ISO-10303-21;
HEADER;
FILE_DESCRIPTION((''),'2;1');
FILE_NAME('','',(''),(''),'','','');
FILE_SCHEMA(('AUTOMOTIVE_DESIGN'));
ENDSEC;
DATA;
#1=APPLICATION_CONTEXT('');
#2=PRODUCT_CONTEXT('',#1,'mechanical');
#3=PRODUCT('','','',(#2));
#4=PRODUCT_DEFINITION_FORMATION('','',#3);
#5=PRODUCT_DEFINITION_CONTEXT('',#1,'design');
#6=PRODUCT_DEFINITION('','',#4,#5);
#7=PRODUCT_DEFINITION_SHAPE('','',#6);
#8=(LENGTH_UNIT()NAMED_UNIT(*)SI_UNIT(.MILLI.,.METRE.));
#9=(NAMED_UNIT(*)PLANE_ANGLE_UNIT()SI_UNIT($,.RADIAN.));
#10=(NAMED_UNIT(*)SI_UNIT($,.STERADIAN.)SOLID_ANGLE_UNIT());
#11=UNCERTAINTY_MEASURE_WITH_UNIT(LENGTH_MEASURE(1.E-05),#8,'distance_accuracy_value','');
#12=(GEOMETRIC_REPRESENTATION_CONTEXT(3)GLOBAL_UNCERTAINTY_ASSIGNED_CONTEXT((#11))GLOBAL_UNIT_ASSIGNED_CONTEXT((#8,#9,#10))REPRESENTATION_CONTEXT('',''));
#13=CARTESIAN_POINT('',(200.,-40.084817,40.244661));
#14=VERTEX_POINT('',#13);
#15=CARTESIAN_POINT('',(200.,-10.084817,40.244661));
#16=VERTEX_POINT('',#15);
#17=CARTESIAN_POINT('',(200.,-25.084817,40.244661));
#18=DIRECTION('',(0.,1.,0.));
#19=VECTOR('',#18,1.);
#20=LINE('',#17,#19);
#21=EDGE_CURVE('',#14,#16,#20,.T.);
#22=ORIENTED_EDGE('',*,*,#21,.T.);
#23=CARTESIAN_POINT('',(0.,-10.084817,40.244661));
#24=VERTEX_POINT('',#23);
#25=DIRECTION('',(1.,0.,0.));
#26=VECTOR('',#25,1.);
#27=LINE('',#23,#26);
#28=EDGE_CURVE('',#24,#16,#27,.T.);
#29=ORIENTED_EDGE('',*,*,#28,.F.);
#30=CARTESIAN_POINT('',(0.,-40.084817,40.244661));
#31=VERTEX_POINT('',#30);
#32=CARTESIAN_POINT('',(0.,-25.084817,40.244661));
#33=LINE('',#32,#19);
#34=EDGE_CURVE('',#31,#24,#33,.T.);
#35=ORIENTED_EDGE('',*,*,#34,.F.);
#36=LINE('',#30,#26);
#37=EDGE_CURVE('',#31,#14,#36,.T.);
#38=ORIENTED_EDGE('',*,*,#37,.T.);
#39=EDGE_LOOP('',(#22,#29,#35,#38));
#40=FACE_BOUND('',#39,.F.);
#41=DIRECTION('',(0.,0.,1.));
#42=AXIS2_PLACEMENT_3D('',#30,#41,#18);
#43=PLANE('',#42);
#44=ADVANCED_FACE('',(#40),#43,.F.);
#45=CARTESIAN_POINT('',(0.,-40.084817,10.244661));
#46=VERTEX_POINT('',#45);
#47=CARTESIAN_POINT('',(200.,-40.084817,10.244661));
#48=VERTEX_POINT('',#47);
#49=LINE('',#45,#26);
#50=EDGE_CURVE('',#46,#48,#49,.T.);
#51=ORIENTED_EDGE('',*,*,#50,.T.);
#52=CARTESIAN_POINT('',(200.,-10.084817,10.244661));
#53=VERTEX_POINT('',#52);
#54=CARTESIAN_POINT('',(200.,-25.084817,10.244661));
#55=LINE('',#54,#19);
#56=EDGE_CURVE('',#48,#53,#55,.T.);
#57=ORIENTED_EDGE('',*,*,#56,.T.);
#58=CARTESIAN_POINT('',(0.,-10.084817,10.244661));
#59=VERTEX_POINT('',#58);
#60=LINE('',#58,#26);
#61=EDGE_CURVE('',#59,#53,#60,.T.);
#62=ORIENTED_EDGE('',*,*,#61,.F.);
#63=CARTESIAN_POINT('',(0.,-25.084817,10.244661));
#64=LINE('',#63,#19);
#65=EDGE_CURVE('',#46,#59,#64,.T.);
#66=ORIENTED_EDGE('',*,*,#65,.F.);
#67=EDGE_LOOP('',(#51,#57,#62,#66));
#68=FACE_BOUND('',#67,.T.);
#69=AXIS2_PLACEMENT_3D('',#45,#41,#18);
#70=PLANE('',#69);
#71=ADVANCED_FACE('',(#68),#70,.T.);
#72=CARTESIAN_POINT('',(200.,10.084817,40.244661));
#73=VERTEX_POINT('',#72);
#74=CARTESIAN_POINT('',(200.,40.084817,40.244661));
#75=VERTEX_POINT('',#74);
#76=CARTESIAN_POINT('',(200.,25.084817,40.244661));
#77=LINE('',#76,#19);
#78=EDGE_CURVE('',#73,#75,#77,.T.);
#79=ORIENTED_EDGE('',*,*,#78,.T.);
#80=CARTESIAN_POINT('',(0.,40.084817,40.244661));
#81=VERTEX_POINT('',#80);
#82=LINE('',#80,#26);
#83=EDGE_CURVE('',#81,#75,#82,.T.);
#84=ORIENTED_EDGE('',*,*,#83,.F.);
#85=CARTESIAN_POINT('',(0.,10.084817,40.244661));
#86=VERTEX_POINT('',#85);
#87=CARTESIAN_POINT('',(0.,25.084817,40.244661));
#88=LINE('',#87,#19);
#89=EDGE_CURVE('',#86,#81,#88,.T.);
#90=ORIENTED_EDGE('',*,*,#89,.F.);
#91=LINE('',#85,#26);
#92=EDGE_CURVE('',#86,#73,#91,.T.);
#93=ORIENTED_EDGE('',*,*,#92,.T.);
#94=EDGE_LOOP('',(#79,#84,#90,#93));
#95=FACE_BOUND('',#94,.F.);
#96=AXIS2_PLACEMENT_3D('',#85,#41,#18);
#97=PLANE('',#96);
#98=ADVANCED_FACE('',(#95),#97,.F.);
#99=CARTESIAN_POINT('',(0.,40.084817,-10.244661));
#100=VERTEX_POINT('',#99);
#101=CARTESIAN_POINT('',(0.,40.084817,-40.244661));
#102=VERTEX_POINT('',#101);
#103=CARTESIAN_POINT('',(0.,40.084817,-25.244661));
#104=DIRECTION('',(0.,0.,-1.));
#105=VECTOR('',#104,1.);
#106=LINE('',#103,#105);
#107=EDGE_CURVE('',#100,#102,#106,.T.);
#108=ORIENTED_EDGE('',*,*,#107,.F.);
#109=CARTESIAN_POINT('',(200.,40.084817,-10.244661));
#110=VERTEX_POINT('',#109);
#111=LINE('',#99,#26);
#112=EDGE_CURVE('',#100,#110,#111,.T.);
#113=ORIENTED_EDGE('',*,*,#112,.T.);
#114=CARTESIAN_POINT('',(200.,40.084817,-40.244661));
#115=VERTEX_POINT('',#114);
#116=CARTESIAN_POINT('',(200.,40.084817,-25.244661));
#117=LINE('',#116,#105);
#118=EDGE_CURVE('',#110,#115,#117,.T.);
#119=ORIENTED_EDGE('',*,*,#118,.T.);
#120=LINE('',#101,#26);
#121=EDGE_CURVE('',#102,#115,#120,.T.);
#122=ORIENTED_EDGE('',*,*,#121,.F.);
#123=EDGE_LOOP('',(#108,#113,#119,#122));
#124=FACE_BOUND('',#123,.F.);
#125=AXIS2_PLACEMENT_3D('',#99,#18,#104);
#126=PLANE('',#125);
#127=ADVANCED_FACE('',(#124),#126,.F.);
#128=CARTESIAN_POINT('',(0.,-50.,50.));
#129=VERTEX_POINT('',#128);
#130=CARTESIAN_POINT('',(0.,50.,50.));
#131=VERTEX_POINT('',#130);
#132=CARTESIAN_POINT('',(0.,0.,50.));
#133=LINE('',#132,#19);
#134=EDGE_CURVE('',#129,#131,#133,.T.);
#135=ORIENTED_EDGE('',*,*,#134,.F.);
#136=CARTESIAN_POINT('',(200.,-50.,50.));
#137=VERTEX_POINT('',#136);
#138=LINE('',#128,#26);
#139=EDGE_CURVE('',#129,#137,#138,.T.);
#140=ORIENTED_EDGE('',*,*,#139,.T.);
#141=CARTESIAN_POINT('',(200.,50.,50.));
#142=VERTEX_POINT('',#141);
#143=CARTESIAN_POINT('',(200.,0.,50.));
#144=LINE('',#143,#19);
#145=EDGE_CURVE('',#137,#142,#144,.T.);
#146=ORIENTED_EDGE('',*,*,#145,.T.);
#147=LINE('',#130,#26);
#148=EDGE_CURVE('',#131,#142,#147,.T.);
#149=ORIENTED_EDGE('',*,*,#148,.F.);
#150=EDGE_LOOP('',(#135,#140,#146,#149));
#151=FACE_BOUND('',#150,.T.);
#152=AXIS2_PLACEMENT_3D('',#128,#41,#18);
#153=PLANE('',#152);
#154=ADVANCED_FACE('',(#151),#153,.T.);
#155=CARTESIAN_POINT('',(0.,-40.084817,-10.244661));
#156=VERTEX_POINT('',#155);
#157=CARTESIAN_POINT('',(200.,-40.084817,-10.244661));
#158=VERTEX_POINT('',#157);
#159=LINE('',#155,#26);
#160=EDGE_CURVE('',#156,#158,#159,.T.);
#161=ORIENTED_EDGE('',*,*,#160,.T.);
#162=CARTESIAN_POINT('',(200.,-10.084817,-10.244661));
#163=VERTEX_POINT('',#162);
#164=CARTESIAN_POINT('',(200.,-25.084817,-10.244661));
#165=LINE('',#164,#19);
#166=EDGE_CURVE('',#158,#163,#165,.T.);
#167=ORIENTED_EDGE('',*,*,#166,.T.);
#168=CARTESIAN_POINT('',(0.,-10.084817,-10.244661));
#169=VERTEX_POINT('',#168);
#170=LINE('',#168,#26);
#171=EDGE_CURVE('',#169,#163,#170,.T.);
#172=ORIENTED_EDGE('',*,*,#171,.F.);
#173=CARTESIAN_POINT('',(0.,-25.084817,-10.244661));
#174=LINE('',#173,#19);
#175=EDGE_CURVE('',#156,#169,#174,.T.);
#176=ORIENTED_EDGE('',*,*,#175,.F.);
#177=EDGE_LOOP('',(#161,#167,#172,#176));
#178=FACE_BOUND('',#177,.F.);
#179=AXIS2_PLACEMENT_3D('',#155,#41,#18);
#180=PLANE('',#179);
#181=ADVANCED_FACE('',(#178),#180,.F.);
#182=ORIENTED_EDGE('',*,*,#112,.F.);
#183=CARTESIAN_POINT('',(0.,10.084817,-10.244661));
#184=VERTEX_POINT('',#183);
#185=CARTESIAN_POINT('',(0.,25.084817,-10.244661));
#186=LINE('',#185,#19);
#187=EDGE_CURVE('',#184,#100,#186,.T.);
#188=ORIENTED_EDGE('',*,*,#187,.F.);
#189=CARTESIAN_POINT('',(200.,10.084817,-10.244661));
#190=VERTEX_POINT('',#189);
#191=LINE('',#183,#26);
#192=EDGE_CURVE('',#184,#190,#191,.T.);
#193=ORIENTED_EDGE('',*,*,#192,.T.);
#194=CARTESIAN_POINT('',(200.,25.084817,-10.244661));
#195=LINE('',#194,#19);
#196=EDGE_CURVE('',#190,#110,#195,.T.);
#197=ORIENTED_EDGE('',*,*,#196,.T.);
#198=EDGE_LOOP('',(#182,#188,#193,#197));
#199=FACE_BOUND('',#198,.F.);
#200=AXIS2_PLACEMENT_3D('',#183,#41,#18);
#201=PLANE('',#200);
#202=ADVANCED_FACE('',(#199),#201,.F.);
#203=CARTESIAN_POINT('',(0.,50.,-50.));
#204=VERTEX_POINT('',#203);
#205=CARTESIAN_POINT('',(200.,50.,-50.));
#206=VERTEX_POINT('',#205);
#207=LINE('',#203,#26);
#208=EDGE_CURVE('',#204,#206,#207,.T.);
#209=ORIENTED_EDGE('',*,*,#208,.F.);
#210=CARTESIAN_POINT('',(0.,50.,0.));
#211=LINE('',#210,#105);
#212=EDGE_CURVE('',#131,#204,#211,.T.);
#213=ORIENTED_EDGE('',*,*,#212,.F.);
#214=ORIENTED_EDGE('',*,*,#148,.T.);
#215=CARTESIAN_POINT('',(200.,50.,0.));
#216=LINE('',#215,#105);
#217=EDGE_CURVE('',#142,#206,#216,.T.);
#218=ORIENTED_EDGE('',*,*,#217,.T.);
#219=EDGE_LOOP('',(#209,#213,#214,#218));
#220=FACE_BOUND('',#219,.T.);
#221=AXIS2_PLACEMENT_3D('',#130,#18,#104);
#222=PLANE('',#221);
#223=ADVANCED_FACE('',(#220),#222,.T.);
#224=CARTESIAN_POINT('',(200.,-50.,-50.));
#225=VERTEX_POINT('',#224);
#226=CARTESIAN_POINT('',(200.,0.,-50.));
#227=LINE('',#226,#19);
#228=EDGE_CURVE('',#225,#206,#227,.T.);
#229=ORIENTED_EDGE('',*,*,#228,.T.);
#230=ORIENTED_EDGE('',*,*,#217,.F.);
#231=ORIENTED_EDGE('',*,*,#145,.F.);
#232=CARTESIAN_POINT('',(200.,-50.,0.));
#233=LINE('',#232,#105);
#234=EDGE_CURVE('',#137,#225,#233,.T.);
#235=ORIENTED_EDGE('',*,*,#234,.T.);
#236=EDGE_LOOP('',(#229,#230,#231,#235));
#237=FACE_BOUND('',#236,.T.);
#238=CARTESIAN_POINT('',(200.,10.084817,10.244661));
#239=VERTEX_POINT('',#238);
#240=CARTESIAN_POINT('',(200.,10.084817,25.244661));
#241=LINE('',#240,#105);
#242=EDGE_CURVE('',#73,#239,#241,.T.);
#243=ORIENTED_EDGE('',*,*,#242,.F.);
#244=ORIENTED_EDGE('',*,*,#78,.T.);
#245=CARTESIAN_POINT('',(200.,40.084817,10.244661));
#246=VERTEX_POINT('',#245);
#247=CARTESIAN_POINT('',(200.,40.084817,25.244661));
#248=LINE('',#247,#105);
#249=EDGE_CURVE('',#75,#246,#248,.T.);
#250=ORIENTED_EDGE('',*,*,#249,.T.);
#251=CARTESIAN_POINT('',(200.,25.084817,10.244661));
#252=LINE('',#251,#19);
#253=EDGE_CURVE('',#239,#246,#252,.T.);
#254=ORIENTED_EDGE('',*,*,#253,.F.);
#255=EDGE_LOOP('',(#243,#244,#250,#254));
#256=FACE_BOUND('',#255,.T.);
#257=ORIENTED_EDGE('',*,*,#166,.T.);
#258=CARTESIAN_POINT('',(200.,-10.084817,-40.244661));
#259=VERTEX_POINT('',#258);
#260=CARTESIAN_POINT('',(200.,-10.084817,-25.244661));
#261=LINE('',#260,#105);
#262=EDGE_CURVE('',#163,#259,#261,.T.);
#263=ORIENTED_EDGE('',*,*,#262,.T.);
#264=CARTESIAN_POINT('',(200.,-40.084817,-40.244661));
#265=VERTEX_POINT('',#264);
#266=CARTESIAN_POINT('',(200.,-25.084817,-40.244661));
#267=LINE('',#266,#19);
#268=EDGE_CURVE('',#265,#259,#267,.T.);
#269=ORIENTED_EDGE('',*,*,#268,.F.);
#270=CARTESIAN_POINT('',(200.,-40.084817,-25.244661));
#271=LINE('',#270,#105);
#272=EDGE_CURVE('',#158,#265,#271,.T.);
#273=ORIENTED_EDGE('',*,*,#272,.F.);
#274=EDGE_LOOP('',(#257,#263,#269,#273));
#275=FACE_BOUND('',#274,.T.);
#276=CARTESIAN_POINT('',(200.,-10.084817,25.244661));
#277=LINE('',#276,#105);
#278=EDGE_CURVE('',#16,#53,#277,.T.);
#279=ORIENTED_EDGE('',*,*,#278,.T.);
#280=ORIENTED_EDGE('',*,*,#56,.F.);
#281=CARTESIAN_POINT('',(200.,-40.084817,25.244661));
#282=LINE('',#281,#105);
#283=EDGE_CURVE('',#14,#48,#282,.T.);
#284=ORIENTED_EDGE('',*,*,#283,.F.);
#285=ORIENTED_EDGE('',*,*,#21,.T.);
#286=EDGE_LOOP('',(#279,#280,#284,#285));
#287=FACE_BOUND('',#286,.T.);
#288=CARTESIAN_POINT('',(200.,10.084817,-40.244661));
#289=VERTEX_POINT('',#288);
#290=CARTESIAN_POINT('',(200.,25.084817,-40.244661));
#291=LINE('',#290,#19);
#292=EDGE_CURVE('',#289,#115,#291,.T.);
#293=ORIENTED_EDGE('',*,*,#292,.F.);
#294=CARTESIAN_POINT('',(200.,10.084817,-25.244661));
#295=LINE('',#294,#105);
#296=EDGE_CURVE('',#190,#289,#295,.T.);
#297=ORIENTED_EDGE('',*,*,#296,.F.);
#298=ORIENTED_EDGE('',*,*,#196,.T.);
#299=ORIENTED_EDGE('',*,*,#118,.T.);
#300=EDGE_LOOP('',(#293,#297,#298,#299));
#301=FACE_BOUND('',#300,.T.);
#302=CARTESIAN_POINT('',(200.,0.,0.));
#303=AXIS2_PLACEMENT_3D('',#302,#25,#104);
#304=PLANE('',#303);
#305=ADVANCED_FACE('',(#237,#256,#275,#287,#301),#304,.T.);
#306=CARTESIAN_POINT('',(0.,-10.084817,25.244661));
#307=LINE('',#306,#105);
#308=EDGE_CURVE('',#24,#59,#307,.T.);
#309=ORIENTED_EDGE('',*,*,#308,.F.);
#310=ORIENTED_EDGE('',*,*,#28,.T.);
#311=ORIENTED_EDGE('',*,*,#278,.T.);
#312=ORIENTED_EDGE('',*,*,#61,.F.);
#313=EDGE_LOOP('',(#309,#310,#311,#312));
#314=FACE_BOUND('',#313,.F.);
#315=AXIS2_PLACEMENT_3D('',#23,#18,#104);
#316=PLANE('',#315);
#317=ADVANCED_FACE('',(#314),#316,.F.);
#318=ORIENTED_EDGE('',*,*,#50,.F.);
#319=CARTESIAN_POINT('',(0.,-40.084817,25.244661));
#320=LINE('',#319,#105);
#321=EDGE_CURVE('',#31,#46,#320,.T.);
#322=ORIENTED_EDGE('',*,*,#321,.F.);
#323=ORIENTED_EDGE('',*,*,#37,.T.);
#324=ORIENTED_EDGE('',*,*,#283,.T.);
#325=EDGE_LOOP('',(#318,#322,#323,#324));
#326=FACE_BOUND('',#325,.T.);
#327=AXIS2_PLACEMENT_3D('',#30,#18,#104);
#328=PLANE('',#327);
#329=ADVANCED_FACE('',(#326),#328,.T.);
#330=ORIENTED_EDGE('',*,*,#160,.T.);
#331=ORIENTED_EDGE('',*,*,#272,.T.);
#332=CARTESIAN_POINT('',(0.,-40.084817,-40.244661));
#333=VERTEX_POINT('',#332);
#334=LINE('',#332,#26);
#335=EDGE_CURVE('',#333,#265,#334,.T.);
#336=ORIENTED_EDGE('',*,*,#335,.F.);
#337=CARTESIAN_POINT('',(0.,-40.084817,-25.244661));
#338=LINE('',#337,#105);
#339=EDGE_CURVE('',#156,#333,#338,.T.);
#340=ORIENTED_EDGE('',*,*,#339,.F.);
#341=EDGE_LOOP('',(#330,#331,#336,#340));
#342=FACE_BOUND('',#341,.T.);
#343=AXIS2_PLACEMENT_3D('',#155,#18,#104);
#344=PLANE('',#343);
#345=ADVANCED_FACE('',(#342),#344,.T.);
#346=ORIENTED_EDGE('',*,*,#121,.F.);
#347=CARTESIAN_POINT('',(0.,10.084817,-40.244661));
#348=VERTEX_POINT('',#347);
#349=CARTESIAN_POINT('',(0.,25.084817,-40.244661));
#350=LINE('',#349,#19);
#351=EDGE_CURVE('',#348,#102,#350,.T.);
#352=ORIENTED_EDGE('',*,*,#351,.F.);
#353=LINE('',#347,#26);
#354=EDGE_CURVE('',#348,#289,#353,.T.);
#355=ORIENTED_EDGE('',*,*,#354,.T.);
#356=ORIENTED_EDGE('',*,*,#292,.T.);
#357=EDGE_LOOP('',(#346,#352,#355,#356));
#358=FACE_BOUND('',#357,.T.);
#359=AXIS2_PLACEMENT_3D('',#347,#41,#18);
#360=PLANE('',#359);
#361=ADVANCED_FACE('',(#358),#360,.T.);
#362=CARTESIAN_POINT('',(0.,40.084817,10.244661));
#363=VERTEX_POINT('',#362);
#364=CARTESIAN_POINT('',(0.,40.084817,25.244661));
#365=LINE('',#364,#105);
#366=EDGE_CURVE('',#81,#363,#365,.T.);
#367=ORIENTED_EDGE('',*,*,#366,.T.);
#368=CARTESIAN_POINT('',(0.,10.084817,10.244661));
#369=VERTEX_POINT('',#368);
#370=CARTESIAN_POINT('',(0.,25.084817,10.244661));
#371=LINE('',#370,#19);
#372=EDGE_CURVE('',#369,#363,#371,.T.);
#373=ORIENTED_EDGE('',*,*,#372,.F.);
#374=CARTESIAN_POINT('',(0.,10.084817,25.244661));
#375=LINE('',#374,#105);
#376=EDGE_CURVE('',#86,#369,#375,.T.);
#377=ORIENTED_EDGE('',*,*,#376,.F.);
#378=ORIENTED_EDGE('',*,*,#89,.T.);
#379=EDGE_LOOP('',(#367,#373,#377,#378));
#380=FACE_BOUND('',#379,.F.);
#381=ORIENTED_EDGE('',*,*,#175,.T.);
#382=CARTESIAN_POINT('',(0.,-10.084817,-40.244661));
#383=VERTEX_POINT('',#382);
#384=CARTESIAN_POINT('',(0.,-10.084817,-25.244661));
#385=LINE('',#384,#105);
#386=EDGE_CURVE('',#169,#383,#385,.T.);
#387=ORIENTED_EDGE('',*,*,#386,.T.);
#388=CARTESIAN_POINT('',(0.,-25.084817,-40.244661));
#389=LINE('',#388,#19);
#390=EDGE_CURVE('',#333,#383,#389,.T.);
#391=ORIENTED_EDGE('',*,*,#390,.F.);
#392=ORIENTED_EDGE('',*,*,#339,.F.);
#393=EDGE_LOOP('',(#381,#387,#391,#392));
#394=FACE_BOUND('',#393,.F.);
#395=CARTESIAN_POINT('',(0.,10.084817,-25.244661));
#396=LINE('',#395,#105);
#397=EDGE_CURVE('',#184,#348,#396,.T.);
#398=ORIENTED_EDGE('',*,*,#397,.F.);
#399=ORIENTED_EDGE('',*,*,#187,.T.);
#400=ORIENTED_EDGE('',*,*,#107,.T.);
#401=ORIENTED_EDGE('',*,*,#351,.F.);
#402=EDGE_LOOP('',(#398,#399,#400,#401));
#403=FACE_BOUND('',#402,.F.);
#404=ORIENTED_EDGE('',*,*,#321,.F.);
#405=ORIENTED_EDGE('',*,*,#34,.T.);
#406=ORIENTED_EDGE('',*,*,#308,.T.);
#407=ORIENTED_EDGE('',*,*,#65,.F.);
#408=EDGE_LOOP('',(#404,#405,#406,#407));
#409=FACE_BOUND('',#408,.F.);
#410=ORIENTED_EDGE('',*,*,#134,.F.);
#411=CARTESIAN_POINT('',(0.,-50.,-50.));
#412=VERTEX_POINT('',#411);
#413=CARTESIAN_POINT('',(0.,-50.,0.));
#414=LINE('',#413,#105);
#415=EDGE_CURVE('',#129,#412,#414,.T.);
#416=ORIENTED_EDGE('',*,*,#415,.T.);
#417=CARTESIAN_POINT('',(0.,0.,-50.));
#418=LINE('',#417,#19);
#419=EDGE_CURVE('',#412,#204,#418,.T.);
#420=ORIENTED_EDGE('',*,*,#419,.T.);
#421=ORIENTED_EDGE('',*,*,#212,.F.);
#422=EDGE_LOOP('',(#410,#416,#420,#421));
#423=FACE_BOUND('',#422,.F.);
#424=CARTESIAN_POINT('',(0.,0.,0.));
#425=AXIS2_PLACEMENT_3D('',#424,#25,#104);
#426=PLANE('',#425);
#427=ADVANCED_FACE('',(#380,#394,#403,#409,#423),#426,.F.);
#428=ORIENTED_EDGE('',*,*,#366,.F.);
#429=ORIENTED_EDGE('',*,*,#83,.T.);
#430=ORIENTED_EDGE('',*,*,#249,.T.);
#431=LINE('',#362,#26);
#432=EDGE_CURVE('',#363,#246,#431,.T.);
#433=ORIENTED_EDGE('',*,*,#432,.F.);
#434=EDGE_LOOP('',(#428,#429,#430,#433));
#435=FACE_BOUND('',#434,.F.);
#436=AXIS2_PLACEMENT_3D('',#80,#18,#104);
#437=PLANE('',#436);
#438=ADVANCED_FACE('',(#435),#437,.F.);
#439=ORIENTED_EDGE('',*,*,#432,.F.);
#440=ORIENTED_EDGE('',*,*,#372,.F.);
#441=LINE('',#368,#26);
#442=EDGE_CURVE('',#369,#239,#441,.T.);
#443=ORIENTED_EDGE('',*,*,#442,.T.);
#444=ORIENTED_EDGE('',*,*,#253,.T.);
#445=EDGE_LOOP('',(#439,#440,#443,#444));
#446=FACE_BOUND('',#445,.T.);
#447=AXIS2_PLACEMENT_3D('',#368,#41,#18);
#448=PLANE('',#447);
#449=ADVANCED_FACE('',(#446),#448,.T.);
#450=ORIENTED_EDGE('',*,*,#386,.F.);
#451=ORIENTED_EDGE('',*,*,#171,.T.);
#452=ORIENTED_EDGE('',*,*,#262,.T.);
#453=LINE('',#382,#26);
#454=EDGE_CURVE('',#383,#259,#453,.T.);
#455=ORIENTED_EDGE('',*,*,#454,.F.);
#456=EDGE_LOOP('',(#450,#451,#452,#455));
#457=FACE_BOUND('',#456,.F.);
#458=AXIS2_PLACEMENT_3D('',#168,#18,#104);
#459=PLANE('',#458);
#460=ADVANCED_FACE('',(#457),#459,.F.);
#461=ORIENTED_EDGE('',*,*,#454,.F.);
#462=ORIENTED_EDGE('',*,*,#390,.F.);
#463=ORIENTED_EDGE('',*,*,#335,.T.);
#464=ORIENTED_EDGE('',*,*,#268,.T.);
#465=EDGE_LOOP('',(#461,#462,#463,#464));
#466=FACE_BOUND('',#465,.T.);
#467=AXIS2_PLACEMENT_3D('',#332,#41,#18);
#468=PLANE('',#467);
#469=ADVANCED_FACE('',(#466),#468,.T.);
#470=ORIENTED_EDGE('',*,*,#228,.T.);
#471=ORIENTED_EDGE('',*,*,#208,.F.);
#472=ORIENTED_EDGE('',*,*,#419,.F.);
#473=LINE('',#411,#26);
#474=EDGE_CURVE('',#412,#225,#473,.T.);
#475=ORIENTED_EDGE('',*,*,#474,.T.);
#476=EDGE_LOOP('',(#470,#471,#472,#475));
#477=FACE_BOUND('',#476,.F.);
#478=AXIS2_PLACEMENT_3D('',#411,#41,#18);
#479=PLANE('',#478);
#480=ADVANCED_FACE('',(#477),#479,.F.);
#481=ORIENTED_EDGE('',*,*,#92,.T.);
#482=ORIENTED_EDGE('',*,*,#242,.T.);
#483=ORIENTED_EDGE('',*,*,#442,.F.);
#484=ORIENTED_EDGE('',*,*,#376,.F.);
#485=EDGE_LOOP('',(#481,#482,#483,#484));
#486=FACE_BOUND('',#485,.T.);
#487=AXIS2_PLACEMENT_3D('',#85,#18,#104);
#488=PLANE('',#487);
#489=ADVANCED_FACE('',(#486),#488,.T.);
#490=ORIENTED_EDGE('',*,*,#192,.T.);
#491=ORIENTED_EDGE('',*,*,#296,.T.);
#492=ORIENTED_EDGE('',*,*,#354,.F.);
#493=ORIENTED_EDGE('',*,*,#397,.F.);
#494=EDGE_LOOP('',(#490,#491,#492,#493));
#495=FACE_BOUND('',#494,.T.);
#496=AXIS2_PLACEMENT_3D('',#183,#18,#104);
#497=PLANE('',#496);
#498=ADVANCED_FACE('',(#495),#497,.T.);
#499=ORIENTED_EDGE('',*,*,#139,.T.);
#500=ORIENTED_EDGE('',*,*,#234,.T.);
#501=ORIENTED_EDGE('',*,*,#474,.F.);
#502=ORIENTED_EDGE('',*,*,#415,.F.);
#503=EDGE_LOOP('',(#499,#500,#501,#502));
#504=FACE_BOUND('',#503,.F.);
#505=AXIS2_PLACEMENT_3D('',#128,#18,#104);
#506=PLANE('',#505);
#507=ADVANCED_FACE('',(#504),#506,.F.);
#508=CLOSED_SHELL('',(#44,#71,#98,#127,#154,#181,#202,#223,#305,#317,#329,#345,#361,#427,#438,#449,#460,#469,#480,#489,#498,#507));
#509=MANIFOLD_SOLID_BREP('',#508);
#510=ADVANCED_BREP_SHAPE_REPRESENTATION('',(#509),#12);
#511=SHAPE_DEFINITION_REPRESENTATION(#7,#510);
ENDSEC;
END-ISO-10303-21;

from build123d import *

# Parameters (mm, degrees)
SKETCH_W             = 100
SKETCH_H             = 100
SKETCH_W_2           = 30
SKETCH_H_2           = 30
PAD_DEPTH            = 200
BODY_PLACEMENT_ANGLE = 90


with BuildPart() as part:
    # Sketch → Pad (new body)
    with BuildSketch(Plane.XY):
        Rectangle(SKETCH_W, SKETCH_H)
        with Locations((-25.244661, 25.084817)):
            Rectangle(SKETCH_W_2, SKETCH_H_2, mode=Mode.SUBTRACT)
        with Locations((-25.244661, -25.084817)):
            Rectangle(SKETCH_W_2, SKETCH_H_2, mode=Mode.SUBTRACT)
        with Locations((25.244661, 25.084817)):
            Rectangle(SKETCH_W_2, SKETCH_H_2, mode=Mode.SUBTRACT)
        with Locations((25.244661, -25.084817)):
            Rectangle(SKETCH_W_2, SKETCH_H_2, mode=Mode.SUBTRACT)
    extrude(amount=PAD_DEPTH)


with BuildPart() as part_1:
    # Body placement: moved
    add(part.part.rotate(Axis((0, 0, 0), (0, 1, 0)), BODY_PLACEMENT_ANGLE))


solid = part_1.part
